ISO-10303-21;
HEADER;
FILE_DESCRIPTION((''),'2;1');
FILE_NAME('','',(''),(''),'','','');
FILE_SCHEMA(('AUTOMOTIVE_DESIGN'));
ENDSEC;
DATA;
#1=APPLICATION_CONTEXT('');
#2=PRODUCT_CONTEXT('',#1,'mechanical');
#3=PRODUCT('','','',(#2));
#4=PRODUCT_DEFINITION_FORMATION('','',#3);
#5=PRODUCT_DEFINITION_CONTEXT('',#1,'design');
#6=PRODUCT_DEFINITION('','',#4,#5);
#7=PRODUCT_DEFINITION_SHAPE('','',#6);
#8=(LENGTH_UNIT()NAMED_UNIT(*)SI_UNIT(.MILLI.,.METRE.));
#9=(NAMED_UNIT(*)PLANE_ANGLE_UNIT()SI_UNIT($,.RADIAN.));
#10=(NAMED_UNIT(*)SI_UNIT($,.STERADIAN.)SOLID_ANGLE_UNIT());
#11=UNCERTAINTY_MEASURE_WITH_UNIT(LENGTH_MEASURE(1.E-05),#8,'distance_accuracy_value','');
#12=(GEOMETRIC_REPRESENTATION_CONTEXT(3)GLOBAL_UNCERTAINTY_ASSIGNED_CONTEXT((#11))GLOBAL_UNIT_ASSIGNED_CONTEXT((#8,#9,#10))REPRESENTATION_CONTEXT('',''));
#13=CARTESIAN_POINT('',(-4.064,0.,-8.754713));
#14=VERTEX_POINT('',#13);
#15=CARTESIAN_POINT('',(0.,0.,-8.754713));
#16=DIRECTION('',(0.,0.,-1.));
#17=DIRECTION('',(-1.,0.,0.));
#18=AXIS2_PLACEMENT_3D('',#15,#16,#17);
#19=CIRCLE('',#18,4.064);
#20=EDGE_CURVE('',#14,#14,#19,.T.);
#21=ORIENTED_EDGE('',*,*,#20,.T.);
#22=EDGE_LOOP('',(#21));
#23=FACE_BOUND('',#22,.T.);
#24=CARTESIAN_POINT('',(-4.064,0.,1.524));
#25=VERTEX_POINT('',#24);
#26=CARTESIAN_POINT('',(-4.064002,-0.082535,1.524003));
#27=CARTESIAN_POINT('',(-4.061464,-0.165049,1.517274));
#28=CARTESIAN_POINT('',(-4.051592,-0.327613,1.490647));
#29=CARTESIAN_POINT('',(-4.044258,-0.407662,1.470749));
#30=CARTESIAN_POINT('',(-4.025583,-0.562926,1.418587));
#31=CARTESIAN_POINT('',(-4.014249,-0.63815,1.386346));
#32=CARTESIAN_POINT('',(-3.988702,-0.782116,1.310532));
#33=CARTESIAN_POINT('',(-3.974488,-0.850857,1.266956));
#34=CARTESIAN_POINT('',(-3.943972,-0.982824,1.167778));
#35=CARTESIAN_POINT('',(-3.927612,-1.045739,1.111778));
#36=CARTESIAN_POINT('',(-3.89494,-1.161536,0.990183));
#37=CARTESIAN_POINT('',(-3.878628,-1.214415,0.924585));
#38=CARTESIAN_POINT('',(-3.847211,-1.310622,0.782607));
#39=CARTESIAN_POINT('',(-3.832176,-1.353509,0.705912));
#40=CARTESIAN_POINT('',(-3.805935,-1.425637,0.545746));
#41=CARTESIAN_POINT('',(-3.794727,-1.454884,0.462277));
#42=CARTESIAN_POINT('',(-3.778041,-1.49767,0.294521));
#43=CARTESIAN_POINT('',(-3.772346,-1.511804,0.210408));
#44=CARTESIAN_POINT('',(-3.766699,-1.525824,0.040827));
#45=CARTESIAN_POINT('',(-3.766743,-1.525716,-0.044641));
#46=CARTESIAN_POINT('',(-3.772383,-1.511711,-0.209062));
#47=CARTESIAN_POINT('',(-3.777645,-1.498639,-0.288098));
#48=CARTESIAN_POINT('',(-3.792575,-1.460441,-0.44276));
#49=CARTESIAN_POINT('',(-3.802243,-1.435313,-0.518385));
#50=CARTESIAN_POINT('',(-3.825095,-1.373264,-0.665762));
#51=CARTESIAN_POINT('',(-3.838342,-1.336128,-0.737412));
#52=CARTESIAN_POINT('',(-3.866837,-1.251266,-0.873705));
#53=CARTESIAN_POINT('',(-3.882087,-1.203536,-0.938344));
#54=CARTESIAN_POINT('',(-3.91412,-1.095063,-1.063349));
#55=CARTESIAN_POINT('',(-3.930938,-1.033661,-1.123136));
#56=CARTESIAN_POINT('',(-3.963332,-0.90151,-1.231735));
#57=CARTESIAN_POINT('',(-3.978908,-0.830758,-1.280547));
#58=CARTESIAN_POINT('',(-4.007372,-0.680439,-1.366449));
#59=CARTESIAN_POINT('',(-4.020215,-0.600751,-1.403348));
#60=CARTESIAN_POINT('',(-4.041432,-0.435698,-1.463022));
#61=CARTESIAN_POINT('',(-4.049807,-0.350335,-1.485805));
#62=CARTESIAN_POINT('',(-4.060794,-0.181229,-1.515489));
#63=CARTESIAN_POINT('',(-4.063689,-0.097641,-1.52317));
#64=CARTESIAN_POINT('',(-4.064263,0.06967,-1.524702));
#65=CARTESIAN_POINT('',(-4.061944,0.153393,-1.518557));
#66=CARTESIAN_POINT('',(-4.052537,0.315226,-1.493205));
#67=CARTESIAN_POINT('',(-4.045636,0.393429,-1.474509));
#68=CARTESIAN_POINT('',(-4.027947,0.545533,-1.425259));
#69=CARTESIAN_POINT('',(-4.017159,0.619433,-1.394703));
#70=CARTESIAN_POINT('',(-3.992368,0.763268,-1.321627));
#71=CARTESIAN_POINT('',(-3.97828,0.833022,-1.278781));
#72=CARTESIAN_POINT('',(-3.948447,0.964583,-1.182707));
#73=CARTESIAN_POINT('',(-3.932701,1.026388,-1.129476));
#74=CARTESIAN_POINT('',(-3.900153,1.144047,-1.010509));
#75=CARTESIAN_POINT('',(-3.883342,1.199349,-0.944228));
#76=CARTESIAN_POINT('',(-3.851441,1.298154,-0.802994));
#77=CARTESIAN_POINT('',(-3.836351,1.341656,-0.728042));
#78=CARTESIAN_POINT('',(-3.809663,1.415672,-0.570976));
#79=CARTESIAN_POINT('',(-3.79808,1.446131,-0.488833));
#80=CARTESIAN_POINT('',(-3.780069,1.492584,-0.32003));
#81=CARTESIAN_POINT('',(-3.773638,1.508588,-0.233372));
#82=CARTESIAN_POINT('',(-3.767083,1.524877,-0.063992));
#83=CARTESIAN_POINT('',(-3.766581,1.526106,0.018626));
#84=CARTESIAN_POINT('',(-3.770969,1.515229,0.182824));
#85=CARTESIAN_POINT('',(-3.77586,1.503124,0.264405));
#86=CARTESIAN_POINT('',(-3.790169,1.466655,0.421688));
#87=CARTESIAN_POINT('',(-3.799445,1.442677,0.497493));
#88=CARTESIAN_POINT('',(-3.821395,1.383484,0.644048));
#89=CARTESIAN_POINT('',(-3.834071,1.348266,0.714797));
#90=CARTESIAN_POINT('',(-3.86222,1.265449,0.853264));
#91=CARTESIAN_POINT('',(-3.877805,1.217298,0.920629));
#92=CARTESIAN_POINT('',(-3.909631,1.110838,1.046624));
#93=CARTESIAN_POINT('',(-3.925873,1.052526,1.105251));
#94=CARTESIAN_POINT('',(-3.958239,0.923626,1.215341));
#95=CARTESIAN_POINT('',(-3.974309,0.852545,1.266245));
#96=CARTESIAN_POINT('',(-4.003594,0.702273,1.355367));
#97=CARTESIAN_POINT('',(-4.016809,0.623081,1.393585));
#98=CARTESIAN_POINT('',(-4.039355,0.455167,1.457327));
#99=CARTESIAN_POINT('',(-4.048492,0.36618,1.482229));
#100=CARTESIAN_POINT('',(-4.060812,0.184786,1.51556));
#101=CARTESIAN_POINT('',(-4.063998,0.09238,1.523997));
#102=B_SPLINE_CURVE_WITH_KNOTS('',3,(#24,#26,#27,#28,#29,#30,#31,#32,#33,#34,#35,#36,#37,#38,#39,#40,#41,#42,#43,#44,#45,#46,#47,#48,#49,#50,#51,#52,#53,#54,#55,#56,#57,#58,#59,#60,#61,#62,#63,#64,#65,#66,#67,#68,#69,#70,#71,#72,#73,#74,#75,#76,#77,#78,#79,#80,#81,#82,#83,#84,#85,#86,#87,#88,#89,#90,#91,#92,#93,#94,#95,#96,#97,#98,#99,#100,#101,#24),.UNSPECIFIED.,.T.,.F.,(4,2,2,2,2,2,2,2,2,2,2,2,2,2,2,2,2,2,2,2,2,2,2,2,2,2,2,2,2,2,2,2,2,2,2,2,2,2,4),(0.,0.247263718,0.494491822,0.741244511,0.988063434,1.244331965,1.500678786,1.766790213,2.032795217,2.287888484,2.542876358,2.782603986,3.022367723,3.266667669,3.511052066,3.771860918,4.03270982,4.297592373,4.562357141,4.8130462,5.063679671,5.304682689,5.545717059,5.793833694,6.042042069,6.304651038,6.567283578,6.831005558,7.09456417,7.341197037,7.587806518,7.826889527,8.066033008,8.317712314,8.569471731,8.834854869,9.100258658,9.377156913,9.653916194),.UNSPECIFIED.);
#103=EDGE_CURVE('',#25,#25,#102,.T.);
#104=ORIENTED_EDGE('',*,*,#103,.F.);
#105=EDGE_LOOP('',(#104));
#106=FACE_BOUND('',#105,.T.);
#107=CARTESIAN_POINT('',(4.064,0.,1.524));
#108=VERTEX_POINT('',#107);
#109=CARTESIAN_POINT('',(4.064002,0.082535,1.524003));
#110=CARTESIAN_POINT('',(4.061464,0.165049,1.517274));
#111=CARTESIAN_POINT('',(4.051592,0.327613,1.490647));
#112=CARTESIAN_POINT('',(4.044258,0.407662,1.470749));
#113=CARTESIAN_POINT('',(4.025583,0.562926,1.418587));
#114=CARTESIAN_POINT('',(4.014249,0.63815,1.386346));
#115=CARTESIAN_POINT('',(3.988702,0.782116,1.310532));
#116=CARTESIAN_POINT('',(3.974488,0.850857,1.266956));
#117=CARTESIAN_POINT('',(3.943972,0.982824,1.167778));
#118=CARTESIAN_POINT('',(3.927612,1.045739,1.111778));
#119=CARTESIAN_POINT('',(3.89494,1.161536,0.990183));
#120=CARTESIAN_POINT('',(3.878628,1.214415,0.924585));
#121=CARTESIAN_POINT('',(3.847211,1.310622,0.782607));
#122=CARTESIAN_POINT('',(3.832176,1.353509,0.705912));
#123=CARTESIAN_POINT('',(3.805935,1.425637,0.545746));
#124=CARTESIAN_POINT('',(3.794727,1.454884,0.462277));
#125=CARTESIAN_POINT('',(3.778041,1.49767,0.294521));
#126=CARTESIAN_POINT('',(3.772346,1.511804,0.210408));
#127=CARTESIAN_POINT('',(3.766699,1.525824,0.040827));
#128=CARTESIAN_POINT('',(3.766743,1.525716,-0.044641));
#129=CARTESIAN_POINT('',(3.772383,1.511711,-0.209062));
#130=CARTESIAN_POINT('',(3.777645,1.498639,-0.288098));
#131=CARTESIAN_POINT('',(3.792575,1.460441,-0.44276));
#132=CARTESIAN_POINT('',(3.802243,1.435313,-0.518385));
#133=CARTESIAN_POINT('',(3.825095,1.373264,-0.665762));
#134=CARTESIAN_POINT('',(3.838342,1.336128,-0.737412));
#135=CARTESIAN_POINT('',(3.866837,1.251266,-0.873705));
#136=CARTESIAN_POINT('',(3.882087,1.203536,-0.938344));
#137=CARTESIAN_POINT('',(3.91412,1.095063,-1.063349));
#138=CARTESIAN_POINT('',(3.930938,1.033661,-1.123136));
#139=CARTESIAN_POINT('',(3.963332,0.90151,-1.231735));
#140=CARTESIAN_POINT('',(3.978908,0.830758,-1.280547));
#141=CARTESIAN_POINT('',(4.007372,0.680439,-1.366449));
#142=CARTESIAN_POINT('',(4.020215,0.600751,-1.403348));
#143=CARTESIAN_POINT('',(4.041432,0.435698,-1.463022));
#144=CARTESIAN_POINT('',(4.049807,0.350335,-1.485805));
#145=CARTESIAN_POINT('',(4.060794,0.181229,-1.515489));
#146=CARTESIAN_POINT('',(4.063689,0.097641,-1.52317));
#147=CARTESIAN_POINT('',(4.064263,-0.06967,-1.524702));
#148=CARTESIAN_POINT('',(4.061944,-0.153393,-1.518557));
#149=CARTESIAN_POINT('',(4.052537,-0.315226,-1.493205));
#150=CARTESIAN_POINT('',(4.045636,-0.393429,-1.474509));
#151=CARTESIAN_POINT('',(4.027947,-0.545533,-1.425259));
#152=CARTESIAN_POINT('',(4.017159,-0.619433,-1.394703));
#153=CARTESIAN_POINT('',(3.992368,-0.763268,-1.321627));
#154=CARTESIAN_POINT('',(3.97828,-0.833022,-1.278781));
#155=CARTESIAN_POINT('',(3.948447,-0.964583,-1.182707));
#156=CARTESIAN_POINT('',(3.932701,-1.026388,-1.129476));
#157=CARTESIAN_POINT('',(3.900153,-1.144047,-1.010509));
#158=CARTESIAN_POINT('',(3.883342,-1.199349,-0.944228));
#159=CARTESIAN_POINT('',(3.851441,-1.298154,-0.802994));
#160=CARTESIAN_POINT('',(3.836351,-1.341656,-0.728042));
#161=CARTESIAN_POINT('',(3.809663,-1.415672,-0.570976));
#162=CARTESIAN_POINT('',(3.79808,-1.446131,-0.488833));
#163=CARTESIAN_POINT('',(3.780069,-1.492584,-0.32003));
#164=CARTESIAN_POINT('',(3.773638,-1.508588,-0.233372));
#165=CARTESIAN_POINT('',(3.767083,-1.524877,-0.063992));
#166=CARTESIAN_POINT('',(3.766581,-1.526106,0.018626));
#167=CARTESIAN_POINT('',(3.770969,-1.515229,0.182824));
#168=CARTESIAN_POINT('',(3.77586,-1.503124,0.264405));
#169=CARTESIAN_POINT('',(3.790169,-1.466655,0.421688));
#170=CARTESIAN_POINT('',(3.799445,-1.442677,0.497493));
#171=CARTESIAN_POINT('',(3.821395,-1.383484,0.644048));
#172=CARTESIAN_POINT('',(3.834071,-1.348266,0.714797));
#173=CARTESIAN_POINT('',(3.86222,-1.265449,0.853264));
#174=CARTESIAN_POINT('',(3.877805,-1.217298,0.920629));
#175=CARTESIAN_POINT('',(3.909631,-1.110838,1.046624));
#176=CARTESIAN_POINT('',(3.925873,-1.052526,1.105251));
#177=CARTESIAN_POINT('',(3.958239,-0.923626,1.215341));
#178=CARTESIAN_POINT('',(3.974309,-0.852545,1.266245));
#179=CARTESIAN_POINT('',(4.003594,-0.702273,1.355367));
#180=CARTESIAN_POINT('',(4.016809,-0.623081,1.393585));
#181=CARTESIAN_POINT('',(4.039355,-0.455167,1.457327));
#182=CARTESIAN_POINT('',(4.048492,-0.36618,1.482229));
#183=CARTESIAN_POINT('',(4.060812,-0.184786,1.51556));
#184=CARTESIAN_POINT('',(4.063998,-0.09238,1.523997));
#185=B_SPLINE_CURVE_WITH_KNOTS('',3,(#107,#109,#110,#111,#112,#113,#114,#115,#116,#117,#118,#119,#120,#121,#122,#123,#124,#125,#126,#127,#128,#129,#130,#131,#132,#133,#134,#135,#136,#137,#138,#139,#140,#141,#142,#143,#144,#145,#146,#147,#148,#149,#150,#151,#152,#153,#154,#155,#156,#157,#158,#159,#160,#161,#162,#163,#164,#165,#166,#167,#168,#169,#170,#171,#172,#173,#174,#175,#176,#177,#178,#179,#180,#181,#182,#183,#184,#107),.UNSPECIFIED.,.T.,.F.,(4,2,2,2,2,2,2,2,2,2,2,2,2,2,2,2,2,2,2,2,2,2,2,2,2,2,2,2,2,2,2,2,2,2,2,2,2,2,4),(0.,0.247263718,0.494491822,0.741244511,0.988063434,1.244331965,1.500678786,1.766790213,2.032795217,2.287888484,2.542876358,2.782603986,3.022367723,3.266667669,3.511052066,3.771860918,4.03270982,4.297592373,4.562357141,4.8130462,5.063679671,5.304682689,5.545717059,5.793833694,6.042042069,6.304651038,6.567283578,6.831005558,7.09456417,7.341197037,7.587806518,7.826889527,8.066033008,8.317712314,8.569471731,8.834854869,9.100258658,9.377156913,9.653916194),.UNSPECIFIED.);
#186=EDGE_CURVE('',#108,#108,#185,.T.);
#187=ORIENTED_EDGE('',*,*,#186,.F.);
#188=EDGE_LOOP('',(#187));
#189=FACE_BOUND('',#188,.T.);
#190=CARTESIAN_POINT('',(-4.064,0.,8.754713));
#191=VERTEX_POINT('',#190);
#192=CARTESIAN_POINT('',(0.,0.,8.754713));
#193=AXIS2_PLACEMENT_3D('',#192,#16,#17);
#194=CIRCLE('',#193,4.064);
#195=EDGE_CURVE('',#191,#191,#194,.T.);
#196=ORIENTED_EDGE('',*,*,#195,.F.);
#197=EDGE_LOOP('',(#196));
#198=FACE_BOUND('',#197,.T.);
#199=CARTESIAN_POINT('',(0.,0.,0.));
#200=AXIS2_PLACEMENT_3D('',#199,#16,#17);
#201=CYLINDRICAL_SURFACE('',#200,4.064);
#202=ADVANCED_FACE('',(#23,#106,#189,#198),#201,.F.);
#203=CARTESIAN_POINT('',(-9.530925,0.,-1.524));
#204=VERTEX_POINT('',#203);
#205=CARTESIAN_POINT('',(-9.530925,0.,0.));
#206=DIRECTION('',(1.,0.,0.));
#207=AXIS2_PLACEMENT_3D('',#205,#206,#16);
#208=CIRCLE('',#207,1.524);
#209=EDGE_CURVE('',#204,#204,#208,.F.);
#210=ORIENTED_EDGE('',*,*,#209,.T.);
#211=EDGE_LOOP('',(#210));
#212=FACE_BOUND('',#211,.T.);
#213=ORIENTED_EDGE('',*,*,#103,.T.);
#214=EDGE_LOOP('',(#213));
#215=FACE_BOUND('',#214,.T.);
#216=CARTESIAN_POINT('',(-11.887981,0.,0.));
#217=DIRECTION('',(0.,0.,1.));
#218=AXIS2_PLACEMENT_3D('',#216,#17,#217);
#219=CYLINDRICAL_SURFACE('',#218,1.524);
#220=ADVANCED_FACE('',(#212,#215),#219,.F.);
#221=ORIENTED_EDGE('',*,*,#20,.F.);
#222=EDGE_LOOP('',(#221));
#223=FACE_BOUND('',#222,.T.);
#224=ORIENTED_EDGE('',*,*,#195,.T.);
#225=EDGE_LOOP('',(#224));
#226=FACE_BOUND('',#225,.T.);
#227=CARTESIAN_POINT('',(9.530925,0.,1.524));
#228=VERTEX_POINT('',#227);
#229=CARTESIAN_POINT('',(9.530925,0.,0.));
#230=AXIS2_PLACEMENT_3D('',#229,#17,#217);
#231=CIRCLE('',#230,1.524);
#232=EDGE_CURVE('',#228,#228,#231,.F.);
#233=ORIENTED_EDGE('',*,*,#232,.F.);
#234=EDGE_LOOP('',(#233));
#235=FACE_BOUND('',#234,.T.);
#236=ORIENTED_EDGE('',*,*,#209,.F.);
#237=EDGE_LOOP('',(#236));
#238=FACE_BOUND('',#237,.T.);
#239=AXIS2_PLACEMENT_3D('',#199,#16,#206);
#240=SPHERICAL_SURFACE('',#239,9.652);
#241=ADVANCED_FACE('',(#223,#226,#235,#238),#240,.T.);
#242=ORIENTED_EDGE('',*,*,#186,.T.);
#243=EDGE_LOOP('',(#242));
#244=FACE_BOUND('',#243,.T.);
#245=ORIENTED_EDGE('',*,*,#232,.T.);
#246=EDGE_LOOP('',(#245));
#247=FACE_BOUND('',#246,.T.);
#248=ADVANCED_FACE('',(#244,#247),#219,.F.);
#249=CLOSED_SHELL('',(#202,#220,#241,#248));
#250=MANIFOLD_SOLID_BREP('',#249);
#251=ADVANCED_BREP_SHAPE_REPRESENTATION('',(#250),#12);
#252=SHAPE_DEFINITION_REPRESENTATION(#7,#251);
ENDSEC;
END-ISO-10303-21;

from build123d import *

# Parameters (mm, degrees)
SKETCH2_W = 25.873447289
SKETCH2_H = 1.524


with BuildPart() as part:
    # Sketch1 → Revolve1 (revolve)
    with BuildSketch(Plane(origin=(0, 0, 0), x_dir=(1, 0, 0), z_dir=(0, 1, 0))):
        with BuildLine():
            Line((4.064, 8.754713473), (4.064, -8.754713473))
            ThreePointArc((4.064, -8.754713473), (9.652, 0), (4.064, 8.754713473))
        make_face()
    revolve(axis=Axis((0, 0, 0), (0, 0, 1)))

    # Sketch2 → Cut-Revolve1 (revolve, cut)
    with BuildSketch(Plane(origin=(0, 0, 0), x_dir=(1, 0, 0), z_dir=(0, 1, 0)), mode=Mode.PRIVATE) as cut_revolve1_sk:
        with Locations((1.04874245, 0.762)):
            Rectangle(SKETCH2_W, SKETCH2_H)
    revolve(cut_revolve1_sk.sketch.rotate(Axis((-11.887981195, 0, 0), (1, 0, 0)), 180), axis=Axis((-11.887981195, 0, 0), (1, 0, 0)), mode=Mode.SUBTRACT)


solid = part.part
